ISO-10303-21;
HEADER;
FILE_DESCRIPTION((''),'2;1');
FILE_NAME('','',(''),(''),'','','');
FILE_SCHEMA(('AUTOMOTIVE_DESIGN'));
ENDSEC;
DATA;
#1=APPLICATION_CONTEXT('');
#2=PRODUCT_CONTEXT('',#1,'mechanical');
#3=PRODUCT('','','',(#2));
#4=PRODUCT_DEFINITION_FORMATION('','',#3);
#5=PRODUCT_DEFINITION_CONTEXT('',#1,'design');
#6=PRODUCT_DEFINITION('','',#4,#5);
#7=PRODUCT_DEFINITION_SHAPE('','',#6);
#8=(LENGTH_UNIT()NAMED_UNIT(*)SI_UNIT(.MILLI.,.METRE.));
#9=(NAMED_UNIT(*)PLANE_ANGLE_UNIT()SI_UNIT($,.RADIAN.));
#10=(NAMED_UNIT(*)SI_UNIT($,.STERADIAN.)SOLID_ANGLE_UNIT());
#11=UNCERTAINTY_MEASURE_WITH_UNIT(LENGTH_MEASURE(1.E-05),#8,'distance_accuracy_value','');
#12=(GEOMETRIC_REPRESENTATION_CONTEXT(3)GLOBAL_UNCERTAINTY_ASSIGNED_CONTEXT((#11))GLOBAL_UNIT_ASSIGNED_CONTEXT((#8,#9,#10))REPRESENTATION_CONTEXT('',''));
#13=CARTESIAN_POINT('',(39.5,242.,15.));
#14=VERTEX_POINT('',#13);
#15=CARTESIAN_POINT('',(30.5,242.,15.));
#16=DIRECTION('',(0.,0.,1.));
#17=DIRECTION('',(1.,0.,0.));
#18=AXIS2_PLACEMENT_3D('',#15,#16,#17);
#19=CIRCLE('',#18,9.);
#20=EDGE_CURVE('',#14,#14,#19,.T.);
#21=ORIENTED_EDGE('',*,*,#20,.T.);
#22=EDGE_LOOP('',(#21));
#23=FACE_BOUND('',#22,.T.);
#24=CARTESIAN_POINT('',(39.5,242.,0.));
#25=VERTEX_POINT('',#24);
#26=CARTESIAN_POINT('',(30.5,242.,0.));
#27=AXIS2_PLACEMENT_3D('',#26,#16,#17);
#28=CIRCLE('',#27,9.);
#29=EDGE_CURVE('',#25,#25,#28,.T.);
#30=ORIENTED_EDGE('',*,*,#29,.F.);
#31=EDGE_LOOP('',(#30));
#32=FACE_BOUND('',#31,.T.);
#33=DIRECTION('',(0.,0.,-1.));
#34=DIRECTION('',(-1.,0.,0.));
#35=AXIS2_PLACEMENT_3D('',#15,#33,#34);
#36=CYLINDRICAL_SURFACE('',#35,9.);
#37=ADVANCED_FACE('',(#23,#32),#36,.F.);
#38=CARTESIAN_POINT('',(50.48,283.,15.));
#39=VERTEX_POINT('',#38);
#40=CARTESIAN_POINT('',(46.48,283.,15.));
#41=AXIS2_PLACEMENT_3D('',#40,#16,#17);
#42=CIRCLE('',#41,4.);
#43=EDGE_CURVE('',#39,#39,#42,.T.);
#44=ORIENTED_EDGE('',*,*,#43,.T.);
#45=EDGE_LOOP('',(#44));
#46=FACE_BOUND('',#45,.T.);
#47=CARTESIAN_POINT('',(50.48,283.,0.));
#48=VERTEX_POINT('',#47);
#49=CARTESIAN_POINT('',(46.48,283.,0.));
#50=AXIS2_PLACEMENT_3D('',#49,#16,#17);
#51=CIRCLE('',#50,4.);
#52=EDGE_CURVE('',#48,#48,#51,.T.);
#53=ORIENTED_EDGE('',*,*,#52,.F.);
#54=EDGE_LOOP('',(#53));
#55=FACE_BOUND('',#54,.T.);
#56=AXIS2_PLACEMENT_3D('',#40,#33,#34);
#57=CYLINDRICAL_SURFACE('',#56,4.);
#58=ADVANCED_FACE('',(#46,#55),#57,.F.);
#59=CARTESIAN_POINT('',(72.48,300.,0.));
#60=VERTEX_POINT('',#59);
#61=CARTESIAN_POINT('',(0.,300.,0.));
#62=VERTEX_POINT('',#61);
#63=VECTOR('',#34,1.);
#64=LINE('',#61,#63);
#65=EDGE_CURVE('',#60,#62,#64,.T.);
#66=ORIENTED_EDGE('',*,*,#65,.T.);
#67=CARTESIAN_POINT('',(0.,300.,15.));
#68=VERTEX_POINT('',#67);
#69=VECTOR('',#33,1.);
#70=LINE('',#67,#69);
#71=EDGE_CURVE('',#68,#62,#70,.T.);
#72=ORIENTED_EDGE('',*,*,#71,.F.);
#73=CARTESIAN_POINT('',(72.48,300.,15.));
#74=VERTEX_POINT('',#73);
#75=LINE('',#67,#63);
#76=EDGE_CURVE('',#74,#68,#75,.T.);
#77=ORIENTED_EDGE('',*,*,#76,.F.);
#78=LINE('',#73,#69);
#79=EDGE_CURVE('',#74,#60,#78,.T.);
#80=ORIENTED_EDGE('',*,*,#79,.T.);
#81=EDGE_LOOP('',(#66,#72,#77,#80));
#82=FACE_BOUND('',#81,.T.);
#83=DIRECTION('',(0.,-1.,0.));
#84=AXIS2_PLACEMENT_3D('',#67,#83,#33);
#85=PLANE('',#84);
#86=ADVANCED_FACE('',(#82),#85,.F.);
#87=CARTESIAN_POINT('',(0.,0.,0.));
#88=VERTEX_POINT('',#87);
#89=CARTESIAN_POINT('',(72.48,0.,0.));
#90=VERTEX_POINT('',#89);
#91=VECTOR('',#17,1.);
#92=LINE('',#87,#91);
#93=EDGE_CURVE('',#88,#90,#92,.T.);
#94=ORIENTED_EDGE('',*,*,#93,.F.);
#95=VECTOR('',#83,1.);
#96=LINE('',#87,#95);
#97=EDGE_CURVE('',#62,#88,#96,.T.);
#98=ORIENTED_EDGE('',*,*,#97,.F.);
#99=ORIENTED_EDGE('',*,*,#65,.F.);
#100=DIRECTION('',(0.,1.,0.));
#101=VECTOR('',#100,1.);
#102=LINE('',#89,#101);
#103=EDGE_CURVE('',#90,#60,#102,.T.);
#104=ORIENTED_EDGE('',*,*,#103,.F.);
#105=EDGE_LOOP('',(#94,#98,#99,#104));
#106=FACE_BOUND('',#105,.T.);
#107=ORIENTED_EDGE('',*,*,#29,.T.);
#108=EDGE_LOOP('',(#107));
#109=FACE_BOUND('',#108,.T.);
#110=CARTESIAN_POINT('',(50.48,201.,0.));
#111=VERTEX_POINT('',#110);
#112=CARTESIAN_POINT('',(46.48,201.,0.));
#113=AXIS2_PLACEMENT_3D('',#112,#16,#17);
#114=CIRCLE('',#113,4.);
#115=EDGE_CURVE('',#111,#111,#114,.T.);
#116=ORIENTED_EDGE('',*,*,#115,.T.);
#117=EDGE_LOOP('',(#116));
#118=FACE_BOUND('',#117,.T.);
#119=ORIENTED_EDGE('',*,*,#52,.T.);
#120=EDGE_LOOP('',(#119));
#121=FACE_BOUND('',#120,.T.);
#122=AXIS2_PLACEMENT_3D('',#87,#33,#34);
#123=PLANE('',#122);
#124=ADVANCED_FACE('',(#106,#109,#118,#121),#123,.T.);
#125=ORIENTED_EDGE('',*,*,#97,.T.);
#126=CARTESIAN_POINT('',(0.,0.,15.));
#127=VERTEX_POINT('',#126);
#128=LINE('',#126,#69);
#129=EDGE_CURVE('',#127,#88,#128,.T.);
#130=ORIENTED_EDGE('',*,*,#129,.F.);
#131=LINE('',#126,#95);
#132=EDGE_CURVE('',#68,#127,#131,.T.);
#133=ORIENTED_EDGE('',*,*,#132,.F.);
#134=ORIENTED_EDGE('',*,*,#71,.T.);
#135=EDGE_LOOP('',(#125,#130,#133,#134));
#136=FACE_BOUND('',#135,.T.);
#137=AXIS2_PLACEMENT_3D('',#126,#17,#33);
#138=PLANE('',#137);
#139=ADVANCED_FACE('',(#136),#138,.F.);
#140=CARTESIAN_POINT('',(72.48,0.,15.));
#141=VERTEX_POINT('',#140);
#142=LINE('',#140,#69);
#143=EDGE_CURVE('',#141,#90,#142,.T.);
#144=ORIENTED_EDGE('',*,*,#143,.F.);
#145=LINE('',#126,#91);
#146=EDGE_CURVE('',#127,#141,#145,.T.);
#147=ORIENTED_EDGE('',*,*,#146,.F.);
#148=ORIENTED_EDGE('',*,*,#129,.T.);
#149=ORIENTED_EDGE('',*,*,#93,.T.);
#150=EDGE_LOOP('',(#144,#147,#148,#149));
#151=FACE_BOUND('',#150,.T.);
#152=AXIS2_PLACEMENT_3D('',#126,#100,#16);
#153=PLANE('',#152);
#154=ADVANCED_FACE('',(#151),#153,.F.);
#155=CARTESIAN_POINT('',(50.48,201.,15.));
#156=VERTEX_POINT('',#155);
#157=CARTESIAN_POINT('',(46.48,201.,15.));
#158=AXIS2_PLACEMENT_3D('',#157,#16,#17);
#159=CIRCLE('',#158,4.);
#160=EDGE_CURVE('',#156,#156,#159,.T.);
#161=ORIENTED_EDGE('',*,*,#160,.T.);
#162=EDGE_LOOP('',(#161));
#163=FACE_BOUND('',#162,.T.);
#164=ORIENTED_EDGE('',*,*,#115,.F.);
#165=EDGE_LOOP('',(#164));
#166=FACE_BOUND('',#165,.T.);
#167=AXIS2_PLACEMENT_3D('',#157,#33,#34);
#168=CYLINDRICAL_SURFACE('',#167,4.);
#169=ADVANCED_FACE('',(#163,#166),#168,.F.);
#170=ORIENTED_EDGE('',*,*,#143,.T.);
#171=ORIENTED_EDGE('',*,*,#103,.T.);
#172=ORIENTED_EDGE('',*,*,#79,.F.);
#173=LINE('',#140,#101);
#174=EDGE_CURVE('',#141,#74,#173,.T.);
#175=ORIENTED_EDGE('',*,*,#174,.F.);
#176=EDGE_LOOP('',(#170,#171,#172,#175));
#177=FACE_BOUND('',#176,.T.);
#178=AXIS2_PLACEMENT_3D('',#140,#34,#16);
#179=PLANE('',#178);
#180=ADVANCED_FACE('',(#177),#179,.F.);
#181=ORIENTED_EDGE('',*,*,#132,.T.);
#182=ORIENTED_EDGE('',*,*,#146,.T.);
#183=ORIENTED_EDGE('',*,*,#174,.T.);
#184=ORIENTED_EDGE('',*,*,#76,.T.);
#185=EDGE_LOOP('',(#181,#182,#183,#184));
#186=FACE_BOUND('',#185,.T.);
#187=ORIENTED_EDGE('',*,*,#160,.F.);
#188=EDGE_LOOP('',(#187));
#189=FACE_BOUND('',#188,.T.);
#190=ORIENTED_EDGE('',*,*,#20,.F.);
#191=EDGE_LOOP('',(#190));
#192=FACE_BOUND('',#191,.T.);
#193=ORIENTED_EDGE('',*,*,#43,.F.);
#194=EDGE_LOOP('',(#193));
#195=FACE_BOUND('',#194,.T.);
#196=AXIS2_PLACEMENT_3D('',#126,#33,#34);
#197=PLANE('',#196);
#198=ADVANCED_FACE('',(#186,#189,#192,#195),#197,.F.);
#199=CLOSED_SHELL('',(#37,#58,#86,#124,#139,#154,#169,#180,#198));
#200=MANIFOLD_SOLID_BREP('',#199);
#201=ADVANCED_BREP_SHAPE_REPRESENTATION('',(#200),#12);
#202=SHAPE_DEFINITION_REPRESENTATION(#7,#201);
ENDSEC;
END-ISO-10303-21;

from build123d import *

# Parameters (mm, degrees)
CROQUIS1_W              = 72.48
CROQUIS1_H              = 300
CROQUIS1_R              = 4
CROQUIS1_R_2            = 9
SALIENTE_EXTRUIR1_DEPTH = 15


with BuildPart() as part:
    # Croquis1 → Saliente-Extruir1 (new body)
    with BuildSketch(Plane.XY):
        with Locations((36.24, 150)):
            Rectangle(CROQUIS1_W, CROQUIS1_H)
        with Locations((46.48, 283)):
            Circle(CROQUIS1_R, mode=Mode.SUBTRACT)
        with Locations((46.48, 201)):
            Circle(CROQUIS1_R, mode=Mode.SUBTRACT)
        with Locations((30.5, 242)):
            Circle(CROQUIS1_R_2, mode=Mode.SUBTRACT)
    extrude(amount=SALIENTE_EXTRUIR1_DEPTH)


solid = part.part
